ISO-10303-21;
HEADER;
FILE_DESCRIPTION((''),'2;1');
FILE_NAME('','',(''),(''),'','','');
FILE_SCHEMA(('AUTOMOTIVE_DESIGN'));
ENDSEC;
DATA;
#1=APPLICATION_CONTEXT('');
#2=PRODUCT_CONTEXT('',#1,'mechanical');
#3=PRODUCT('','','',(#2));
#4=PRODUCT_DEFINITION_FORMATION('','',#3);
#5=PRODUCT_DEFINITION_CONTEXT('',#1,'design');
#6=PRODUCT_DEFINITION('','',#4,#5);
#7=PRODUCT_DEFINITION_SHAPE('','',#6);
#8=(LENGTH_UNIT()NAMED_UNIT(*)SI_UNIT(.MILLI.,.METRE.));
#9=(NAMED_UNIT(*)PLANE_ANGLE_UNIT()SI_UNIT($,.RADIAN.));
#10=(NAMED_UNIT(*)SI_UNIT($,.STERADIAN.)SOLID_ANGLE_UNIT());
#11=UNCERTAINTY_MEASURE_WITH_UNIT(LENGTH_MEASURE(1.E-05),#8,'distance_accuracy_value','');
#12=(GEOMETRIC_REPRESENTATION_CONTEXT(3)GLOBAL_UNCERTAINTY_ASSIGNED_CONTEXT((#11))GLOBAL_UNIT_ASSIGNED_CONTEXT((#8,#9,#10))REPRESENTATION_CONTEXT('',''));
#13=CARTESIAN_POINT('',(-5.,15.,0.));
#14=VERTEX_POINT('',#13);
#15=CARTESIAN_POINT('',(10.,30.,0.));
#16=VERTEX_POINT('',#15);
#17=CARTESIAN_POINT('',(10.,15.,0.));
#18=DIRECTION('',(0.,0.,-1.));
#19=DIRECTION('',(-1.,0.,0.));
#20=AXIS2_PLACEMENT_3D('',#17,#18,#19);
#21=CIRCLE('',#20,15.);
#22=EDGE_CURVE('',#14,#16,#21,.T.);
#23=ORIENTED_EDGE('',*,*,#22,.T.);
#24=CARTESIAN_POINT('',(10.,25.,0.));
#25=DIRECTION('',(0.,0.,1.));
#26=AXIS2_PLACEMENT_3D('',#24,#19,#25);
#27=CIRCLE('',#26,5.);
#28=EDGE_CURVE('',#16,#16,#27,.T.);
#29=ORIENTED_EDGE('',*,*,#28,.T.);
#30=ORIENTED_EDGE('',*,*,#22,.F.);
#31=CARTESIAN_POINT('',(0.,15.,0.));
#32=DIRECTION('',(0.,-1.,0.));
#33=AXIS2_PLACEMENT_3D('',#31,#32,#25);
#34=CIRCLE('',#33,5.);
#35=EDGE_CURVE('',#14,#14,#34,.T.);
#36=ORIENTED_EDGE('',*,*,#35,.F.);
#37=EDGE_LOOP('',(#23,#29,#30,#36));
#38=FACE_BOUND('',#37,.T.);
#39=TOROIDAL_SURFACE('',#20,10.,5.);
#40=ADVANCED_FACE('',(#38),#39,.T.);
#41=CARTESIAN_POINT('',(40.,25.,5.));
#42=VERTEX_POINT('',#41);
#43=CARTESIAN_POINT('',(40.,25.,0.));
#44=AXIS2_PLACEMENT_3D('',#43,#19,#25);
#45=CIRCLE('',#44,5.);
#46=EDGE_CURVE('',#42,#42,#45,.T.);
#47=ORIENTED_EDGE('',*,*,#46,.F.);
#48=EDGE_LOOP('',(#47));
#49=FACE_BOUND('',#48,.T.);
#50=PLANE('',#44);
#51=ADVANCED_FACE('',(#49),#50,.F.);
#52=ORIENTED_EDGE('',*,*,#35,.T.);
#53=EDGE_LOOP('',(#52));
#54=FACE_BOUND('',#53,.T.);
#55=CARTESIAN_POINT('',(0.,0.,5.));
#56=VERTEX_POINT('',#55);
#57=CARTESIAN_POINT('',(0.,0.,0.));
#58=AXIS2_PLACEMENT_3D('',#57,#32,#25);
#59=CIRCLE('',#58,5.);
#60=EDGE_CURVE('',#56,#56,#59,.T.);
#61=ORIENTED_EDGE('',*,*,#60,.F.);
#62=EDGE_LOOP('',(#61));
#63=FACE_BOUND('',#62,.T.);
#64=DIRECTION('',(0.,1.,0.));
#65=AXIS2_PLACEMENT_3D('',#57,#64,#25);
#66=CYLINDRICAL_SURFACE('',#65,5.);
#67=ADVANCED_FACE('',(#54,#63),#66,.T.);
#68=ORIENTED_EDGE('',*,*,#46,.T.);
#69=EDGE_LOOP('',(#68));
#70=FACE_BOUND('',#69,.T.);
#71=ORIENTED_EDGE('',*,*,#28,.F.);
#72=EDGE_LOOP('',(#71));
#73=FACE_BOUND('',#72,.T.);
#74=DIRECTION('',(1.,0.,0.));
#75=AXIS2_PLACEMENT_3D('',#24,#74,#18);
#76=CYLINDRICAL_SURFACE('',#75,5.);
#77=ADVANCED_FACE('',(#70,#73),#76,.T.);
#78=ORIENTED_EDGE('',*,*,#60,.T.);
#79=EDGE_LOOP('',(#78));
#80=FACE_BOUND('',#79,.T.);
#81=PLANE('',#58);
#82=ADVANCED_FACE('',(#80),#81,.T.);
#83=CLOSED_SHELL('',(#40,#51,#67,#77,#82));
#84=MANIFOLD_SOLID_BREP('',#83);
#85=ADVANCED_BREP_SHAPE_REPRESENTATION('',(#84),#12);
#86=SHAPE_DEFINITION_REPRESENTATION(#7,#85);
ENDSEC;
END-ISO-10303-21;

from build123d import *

# Parameters (mm, degrees)
SWEEP1_PROFILE_R = 5


with BuildPart() as part:
    # Sweep1: sweep along a path in Sketch1
    with BuildLine(Plane.XY) as sweep1_path:
        Line((0, 0), (0, 15))
        ThreePointArc((0, 15), (2.928932188, 22.071067812), (10, 25))
        Line((10, 25), (40, 25))
    # Sweep1 profile (on start of the path) → Sweep1 (sweep)
    with BuildSketch(Plane.ZX):
        Circle(SWEEP1_PROFILE_R)
    sweep(path=sweep1_path.line)


solid = part.part
